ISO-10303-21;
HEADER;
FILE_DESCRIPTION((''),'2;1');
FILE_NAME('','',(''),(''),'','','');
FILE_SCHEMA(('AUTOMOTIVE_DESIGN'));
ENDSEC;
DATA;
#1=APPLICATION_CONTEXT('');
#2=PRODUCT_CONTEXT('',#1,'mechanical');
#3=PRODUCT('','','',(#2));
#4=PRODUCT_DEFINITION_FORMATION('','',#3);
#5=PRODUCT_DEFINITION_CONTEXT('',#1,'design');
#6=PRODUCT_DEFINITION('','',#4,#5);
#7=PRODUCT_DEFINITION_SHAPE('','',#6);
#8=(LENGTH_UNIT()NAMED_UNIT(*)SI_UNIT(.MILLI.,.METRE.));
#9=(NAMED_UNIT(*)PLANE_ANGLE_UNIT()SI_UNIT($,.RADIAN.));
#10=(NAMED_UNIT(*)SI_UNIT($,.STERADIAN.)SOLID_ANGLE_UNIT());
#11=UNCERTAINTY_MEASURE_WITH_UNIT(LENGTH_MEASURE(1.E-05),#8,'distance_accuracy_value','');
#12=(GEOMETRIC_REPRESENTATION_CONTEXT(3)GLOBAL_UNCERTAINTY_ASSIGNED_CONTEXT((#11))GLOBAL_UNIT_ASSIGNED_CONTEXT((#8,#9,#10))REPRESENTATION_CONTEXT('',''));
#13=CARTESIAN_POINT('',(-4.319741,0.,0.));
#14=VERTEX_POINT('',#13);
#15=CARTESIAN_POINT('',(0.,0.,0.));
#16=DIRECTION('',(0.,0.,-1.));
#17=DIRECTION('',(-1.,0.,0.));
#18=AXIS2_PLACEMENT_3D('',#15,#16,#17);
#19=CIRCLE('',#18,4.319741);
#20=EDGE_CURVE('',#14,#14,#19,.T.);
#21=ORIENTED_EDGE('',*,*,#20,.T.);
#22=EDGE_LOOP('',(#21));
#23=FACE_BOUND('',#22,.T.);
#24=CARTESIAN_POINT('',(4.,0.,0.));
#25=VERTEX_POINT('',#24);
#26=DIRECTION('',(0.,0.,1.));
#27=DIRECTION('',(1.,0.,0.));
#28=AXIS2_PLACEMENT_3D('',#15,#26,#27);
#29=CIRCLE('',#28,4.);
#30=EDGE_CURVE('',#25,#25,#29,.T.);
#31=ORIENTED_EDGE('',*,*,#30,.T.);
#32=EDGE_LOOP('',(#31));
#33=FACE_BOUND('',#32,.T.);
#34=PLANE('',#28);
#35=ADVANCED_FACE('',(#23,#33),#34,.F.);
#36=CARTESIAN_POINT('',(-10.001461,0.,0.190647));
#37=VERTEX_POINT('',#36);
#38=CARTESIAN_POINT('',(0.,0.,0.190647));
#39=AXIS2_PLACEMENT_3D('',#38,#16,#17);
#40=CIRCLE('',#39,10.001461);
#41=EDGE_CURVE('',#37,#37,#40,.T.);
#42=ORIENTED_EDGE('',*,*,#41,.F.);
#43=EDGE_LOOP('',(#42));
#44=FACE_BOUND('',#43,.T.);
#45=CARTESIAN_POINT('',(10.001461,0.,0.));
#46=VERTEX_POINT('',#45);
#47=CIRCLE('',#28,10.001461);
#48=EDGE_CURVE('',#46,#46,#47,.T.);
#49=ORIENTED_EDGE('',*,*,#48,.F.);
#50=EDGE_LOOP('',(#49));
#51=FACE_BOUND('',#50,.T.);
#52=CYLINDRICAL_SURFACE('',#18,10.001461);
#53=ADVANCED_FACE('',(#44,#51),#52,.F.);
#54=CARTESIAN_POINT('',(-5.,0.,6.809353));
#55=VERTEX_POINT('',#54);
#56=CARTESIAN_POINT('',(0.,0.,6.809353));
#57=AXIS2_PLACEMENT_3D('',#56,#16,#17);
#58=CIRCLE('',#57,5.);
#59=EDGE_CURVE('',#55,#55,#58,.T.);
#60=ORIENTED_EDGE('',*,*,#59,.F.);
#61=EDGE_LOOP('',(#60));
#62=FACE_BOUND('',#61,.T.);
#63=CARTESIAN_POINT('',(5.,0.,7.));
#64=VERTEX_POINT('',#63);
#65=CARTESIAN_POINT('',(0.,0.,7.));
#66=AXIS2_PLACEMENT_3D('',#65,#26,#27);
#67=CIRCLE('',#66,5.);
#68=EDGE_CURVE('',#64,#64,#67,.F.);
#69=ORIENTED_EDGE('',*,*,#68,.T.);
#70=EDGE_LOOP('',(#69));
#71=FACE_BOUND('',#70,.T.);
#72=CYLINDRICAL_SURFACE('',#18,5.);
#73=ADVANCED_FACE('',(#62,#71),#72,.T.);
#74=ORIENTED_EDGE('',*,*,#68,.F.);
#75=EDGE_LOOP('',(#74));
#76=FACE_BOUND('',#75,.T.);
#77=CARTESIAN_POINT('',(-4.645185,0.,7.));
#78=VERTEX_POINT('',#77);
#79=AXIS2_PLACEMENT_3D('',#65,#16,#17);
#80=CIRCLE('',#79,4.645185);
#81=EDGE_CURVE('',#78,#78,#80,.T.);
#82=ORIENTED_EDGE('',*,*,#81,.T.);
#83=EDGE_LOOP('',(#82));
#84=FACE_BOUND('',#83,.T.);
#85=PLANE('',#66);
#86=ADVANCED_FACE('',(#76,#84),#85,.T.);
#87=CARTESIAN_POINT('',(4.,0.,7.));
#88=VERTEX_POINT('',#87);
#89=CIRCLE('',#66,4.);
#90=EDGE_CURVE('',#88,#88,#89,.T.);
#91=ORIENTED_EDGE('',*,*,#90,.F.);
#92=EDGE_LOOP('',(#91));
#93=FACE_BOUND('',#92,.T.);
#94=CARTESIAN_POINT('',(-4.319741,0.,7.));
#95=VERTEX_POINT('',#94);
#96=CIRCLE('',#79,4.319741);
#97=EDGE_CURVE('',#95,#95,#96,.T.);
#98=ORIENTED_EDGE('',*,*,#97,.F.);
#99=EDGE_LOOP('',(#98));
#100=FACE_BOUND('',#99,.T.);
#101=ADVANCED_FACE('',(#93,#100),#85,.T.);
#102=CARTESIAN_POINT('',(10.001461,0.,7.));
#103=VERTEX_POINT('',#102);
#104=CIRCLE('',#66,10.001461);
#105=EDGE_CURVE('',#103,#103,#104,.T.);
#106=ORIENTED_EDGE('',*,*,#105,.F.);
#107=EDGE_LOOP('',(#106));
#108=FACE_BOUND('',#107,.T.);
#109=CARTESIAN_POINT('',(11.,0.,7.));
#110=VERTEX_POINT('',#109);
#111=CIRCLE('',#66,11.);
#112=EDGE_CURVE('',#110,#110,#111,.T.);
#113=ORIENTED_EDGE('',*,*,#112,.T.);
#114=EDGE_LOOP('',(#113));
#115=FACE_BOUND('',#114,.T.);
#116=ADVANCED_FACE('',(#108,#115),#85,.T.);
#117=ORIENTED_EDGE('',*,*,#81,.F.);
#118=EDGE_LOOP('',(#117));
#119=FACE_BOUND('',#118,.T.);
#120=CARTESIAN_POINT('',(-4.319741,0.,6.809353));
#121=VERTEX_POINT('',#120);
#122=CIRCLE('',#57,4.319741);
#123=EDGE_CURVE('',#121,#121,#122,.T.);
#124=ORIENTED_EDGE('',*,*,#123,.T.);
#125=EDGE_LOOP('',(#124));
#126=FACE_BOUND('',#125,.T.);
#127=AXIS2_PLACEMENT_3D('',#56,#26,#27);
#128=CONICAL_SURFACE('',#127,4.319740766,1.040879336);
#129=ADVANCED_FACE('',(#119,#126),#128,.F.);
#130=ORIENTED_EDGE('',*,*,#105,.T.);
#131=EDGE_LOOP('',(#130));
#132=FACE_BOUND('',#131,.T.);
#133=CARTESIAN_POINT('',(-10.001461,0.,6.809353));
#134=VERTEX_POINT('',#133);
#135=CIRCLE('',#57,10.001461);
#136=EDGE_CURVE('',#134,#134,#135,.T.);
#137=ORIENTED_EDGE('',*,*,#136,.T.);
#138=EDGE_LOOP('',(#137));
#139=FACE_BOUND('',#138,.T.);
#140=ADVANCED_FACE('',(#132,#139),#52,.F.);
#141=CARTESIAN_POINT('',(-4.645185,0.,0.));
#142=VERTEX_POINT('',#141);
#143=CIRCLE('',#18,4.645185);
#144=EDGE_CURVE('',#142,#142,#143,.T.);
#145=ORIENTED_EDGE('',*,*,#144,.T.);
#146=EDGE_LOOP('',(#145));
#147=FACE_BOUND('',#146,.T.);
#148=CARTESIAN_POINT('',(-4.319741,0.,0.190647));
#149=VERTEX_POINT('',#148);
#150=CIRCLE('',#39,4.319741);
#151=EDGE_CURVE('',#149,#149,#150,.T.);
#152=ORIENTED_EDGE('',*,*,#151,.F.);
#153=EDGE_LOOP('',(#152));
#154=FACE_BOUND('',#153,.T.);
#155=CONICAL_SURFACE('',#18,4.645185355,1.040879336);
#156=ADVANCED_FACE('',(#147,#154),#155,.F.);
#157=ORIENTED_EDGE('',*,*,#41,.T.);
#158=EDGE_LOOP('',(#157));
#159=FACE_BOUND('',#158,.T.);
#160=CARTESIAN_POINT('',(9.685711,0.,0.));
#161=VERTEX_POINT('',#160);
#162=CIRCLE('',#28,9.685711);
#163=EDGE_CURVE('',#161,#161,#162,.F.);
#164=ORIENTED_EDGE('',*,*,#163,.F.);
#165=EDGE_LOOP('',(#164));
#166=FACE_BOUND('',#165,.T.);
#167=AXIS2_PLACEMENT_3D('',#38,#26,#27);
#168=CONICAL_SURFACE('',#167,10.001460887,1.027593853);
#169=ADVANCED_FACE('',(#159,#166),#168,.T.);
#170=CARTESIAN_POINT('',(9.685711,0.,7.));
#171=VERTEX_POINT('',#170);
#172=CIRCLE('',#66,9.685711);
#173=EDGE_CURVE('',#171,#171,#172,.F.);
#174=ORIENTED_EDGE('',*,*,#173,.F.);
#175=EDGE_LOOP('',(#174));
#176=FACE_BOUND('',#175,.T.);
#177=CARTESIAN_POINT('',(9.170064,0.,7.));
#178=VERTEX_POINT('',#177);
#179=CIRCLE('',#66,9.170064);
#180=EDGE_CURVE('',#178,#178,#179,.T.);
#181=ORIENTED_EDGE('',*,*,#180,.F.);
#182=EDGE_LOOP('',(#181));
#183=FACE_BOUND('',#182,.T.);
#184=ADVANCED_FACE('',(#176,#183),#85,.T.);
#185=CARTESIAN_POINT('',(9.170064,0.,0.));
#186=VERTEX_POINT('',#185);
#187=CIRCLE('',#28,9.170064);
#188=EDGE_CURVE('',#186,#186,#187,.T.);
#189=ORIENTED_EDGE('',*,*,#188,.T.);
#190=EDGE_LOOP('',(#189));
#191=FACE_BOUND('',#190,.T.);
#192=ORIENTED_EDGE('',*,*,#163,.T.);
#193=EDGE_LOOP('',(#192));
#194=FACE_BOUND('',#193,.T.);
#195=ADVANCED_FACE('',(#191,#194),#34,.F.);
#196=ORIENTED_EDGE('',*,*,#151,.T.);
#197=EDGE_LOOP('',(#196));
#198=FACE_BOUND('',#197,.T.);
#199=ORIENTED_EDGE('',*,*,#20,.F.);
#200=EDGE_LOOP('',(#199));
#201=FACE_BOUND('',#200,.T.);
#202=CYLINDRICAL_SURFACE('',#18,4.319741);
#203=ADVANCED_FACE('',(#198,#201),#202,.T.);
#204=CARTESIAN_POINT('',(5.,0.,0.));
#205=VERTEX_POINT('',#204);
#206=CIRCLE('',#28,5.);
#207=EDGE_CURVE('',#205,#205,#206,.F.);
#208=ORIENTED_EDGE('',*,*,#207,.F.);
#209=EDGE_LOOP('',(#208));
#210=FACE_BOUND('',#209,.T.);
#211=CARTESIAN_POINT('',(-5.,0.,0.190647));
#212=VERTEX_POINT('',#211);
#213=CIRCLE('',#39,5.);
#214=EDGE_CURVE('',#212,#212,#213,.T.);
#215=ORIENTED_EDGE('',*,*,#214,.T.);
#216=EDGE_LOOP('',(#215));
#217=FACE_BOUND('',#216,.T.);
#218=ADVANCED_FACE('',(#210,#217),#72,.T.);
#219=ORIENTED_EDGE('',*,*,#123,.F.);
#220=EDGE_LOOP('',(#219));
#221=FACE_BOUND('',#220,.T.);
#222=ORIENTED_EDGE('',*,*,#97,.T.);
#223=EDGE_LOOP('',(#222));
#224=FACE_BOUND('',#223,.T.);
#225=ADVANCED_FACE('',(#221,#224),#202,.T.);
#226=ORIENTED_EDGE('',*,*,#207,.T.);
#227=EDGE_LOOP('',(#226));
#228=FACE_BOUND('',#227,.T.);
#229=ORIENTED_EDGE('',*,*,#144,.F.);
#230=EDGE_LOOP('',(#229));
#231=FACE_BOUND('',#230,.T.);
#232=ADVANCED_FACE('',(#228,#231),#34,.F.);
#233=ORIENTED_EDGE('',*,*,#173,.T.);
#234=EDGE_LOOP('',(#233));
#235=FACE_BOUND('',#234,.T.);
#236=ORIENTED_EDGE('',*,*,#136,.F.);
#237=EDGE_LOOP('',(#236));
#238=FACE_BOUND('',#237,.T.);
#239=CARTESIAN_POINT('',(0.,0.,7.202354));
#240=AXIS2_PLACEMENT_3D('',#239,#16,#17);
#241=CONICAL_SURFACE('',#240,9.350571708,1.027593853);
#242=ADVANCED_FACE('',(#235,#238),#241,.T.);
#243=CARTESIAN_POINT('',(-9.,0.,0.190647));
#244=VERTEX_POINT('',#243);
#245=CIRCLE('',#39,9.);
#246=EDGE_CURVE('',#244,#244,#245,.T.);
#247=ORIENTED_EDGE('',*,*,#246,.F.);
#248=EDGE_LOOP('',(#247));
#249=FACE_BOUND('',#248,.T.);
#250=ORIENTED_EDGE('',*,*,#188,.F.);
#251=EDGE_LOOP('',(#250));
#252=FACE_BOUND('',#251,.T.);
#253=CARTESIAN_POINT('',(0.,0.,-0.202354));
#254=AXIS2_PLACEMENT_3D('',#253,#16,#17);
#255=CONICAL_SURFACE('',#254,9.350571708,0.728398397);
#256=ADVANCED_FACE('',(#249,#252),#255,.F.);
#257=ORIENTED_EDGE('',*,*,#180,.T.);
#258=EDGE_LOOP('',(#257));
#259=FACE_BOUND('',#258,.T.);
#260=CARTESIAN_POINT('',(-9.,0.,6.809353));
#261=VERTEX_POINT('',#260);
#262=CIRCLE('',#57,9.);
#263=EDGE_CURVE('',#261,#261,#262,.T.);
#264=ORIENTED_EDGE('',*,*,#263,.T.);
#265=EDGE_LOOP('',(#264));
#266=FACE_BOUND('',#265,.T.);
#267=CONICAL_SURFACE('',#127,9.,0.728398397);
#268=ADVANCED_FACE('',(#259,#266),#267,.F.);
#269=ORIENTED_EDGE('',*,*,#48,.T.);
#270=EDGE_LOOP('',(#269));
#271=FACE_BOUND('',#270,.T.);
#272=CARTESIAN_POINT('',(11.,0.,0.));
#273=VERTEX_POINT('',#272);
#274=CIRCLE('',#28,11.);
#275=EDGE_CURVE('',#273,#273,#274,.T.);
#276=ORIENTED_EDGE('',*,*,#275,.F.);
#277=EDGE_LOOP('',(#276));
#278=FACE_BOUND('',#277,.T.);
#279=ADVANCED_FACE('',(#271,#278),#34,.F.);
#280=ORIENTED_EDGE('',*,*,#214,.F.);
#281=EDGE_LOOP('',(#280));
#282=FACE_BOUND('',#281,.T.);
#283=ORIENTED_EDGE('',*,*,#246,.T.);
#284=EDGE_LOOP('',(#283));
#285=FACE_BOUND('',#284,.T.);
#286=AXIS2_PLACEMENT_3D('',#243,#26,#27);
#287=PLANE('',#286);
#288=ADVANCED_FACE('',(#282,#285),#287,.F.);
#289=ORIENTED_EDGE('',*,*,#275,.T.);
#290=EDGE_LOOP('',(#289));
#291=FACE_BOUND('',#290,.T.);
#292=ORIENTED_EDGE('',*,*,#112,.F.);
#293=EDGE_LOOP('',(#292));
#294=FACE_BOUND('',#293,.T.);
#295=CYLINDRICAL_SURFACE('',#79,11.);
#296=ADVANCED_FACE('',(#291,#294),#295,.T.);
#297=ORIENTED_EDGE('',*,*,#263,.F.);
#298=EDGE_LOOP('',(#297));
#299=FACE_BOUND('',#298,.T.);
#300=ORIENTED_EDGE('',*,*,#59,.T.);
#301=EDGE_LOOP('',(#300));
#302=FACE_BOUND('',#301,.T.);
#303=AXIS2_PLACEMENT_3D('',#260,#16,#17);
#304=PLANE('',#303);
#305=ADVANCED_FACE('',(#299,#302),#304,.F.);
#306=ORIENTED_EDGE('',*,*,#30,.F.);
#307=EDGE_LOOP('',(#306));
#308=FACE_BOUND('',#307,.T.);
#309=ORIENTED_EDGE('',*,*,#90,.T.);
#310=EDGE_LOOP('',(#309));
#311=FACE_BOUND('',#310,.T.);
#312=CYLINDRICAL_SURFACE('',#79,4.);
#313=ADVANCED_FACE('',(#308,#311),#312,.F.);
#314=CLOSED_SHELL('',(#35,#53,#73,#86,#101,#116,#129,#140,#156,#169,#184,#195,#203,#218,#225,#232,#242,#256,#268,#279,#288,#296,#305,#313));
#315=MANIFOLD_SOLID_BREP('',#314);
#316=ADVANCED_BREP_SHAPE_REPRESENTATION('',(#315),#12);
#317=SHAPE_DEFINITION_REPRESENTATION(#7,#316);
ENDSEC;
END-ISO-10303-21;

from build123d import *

# Parameters (mm, degrees)
SKETCH1_R           = 11
SKETCH1_R_2         = 4
BOSS_EXTRUDE1_DEPTH = 7


with BuildPart() as part:
    # Sketch1 → Boss-Extrude1 (new body)
    with BuildSketch(Plane.XY):
        Circle(SKETCH1_R)
        Circle(SKETCH1_R_2, mode=Mode.SUBTRACT)
    extrude(amount=BOSS_EXTRUDE1_DEPTH)

    # Sketch2 → Cut-Revolve1 (revolve, cut)
    with BuildSketch(Plane(origin=(0, 0, 0), x_dir=(1, 0, 0), z_dir=(0, 1, 0))):
        Polygon((-9, -6.809352766), (-5, -6.809352766), (-5, -7.059352766), (-4.645185355, -7), (-4.319740766, -6.809352766), (-4.319740766, -7), (0, -7), (0, -9.290623362), (-10.991354846, -9.290623362), (-10.991354846, -7.309352766), (-10.001460887, -7.309352766), (-10.001460887, -6.809352766), (-9.350571708, -7.202353914), align=None)
        Polygon((-4.645185355, 0), (-5, 0.059352766), (-5, -0.190647234), (-9, -0.190647234), (-9.350571708, 0.202353914), (-10.001460887, -0.190647234), (-10.001460887, 0.309352766), (-10.991354846, 0.309352766), (-10.991354846, 2.290623362), (0, 2.290623362), (0, 0), (-4.319740766, 0), (-4.319740766, -0.190647234), align=None)
    revolve(axis=Axis((0, 0, 0), (0, 0, 1)), mode=Mode.SUBTRACT)


solid = part.part
